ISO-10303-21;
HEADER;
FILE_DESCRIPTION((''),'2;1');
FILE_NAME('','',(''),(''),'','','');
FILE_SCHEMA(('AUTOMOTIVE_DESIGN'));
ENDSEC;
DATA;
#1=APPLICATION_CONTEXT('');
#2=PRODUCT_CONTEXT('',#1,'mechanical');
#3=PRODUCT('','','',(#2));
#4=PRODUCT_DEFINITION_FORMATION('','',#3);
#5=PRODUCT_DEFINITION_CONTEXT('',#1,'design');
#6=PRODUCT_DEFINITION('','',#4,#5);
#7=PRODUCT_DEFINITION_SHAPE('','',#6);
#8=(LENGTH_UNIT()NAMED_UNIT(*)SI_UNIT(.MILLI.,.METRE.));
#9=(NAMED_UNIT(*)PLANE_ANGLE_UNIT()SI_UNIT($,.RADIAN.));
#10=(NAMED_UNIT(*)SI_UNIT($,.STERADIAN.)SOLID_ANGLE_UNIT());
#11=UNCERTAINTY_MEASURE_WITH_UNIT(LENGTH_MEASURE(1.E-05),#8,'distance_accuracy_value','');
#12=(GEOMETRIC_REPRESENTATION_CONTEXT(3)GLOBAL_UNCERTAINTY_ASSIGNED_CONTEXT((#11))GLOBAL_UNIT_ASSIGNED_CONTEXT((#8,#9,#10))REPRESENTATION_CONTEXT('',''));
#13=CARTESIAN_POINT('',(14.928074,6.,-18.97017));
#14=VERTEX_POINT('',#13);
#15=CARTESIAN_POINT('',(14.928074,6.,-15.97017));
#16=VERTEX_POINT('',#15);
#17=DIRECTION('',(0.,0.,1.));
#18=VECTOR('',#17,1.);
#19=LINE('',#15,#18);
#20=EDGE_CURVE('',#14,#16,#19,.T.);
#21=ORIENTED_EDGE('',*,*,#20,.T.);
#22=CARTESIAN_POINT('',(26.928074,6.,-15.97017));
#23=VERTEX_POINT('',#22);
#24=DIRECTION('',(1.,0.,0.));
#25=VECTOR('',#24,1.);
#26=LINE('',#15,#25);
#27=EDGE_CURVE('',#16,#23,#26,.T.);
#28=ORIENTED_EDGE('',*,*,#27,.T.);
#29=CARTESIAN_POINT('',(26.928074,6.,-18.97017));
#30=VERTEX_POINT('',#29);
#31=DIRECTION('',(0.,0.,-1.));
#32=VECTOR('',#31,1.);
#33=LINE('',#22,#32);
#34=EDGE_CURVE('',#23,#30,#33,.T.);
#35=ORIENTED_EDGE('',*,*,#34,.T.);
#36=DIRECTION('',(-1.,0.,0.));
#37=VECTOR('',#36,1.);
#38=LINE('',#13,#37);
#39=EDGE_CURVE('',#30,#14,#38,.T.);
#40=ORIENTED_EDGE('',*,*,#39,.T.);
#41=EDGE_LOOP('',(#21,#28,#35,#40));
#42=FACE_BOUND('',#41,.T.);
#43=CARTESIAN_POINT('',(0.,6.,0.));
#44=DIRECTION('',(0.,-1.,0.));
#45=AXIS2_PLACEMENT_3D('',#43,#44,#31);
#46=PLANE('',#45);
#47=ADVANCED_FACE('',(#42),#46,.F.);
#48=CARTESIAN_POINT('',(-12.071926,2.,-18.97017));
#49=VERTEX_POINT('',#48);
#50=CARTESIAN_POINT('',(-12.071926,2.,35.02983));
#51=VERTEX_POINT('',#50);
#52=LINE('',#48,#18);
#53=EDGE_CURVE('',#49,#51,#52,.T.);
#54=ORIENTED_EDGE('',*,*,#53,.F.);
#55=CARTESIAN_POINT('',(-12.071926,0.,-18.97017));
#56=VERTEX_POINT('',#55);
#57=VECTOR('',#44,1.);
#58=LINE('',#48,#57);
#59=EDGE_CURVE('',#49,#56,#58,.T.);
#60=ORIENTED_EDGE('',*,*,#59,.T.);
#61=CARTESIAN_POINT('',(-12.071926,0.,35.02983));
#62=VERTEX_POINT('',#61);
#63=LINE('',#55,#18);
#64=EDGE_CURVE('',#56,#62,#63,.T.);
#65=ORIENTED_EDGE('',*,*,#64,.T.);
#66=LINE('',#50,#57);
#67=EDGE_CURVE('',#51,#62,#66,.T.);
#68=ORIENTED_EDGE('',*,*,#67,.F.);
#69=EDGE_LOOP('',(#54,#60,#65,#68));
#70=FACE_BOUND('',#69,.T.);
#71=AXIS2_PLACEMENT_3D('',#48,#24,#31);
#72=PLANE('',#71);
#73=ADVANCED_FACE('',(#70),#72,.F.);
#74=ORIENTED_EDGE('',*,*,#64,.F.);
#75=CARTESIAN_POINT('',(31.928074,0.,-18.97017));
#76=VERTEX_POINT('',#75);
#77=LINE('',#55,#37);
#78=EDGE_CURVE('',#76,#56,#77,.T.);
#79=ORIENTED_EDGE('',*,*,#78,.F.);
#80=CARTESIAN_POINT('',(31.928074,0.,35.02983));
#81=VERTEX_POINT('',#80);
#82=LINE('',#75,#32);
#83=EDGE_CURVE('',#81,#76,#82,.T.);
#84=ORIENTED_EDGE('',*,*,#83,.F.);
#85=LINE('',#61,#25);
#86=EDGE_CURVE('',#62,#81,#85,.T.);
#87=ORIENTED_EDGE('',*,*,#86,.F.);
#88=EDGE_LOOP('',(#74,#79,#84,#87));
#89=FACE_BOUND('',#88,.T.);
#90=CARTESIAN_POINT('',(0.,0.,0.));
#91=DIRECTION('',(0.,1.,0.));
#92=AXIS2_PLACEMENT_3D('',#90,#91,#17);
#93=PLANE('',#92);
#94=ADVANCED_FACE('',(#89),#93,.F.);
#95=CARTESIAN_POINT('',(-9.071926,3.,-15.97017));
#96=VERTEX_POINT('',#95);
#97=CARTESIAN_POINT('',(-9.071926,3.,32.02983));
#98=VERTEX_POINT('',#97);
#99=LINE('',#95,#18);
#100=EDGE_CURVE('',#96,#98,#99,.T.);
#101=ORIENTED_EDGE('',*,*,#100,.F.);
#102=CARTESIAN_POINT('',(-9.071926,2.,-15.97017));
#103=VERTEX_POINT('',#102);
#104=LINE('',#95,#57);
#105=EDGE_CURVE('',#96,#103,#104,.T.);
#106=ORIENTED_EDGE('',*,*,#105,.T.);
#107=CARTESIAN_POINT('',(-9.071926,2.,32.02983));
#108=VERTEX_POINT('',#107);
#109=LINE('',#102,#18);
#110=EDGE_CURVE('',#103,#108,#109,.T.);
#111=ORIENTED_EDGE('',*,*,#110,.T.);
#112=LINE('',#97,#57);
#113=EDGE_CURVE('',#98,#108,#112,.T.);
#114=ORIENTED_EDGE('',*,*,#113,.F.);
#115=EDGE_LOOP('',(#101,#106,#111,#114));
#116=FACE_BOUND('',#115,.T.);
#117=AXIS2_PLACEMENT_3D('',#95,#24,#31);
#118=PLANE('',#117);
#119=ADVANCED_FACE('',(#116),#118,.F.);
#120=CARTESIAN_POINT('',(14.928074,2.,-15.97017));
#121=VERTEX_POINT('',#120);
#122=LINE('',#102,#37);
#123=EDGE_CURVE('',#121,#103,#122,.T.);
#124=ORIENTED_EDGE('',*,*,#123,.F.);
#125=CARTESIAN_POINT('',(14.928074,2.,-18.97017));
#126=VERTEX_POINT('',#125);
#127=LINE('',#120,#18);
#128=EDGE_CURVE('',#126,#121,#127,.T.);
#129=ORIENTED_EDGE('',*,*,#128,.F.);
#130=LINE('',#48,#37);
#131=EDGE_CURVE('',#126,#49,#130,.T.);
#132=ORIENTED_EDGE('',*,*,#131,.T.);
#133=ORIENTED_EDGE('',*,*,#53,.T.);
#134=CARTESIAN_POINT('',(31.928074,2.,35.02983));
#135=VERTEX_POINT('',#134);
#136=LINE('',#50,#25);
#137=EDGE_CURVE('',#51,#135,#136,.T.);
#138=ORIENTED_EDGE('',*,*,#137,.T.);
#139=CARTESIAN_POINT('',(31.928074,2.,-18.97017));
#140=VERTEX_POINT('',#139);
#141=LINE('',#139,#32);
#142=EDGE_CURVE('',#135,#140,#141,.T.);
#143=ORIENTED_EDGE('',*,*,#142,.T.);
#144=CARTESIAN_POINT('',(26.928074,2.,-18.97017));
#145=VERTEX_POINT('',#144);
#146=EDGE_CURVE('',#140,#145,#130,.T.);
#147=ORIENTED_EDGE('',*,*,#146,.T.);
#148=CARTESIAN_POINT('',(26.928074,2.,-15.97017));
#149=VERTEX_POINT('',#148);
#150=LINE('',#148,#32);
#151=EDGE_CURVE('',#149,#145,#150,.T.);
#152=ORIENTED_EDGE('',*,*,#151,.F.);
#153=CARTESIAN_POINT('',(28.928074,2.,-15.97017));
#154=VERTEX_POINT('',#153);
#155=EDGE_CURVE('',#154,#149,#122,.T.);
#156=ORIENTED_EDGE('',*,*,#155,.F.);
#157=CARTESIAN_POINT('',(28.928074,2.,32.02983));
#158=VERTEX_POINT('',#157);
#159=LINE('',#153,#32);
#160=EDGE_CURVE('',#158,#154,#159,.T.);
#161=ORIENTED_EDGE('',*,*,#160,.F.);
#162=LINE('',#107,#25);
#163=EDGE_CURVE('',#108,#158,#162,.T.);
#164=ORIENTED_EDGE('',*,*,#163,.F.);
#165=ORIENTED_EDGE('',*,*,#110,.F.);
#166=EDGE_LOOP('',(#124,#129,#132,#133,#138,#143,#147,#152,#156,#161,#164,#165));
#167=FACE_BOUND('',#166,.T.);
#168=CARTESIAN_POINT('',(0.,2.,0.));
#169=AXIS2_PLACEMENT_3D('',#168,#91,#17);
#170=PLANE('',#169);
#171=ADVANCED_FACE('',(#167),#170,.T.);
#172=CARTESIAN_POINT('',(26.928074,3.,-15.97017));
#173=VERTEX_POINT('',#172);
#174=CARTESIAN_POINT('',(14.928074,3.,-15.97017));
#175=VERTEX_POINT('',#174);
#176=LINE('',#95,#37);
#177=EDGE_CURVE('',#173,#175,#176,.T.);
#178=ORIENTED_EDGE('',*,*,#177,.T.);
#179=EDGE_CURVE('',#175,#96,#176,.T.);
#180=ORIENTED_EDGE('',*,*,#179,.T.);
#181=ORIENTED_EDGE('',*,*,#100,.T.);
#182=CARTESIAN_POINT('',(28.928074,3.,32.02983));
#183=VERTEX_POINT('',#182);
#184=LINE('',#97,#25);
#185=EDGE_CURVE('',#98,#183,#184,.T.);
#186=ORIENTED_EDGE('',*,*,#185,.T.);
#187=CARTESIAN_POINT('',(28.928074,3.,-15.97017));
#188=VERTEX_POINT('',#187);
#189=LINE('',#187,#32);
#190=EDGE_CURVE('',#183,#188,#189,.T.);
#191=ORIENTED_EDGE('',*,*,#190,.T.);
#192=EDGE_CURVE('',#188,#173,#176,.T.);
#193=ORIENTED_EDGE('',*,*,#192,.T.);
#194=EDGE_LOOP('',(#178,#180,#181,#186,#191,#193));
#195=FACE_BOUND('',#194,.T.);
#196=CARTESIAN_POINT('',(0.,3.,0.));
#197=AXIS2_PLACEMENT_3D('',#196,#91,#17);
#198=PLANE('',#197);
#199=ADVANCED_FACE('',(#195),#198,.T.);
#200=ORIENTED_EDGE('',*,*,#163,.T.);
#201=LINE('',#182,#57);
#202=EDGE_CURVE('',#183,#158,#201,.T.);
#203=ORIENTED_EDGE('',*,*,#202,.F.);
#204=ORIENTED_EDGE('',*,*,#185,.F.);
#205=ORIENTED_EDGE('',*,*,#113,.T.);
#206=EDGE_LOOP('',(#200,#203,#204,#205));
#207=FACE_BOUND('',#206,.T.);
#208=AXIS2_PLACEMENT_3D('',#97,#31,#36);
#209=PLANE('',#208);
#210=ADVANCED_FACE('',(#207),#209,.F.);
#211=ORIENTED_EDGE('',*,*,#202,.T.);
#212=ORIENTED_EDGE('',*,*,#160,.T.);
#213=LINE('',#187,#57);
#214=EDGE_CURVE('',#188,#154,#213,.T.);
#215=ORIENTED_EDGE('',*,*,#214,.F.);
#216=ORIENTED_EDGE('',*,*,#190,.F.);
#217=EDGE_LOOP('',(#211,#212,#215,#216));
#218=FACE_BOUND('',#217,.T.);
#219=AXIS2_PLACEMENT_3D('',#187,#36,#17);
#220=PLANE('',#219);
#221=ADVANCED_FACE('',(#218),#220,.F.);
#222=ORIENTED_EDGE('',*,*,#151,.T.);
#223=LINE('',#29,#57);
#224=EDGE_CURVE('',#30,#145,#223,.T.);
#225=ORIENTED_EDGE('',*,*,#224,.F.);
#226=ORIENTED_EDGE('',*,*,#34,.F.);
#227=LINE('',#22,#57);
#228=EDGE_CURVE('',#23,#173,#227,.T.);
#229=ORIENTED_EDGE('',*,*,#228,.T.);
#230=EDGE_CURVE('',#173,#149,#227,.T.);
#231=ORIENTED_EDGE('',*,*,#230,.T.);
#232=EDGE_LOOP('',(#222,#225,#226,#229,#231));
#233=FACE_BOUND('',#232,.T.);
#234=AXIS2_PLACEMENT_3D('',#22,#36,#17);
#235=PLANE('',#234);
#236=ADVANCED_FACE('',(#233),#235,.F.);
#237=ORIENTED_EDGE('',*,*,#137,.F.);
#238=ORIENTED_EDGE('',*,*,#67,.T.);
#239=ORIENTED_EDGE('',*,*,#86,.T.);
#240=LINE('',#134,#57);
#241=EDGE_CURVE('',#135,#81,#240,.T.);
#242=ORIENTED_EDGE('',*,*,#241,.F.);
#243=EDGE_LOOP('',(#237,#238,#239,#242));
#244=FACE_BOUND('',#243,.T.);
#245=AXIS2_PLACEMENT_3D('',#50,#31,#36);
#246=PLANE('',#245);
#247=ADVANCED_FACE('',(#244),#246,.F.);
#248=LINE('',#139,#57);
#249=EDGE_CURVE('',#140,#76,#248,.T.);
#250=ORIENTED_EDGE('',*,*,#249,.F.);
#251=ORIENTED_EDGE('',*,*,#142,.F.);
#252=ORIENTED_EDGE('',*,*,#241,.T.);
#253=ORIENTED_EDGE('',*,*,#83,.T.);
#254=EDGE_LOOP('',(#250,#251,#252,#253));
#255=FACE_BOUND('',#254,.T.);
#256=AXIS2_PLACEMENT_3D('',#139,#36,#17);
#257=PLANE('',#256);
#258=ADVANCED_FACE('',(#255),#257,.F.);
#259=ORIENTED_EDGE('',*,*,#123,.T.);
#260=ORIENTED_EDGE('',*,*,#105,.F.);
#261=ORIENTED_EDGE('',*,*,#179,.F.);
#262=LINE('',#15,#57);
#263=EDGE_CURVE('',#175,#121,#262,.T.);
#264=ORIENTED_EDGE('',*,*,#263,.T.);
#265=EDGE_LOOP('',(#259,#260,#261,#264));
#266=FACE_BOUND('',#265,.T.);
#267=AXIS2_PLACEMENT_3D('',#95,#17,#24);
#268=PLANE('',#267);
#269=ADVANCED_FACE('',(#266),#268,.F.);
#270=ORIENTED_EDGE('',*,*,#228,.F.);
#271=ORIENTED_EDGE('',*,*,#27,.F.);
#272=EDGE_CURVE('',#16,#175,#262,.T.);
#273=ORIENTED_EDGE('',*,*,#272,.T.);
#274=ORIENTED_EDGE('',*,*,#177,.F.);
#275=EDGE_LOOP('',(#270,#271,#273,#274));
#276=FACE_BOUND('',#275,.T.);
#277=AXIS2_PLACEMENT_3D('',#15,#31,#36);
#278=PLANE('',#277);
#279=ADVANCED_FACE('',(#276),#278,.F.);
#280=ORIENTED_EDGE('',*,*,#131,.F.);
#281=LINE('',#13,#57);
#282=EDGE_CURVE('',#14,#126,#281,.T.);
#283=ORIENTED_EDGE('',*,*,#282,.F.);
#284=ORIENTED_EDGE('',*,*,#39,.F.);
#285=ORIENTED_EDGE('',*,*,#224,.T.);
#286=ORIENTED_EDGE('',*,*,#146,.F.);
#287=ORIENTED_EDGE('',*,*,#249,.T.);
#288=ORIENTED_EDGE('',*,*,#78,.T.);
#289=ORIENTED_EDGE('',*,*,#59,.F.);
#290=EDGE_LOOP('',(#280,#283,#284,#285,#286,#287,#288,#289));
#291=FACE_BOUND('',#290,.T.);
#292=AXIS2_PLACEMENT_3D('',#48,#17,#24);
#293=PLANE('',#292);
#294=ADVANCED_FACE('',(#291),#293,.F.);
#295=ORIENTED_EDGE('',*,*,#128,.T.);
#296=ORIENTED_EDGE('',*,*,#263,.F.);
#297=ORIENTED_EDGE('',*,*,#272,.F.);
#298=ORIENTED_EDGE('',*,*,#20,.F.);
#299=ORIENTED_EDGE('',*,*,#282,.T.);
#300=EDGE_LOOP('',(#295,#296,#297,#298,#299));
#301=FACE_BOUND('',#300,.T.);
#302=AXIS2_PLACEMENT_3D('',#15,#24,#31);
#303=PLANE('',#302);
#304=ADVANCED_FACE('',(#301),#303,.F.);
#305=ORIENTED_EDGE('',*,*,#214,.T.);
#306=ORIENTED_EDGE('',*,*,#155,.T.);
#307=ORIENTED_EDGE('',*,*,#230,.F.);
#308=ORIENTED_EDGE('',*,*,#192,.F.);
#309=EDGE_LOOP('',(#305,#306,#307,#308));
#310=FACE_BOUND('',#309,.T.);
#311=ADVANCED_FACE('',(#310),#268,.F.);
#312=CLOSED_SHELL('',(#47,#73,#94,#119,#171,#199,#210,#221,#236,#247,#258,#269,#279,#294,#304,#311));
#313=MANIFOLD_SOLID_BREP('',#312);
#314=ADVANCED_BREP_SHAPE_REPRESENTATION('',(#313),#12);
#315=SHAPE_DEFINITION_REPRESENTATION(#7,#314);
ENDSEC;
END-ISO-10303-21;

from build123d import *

# Parameters (mm, degrees)
SCHIZZO1_W                   = 44
SCHIZZO1_H                   = 54
ESTRUSIONE_ESTRUSIONE1_DEPTH = 2
SCHIZZO2_W                   = 38
SCHIZZO2_H                   = 48
ESTRUSIONE_ESTRUSIONE2_DEPTH = 1
SCHIZZO3_W                   = 12
SCHIZZO3_H                   = 3
ESTRUSIONE_ESTRUSIONE3_DEPTH = 4


with BuildPart() as part:
    # Schizzo1 → Estrusione-Estrusione1 (new body)
    with BuildSketch(Plane(origin=(0, 0, 0), x_dir=(1, 0, 0), z_dir=(0, 1, 0))):
        with Locations((9.928073705, -8.029830108)):
            Rectangle(SCHIZZO1_W, SCHIZZO1_H)
    extrude(amount=ESTRUSIONE_ESTRUSIONE1_DEPTH)

    # Schizzo2 → Estrusione-Estrusione2 (add)
    with BuildSketch(Plane(origin=(0, 2, 0), x_dir=(1, 0, 0), z_dir=(0, 1, 0))):
        with Locations((9.928073705, -8.029830108)):
            Rectangle(SCHIZZO2_W, SCHIZZO2_H)
    extrude(amount=ESTRUSIONE_ESTRUSIONE2_DEPTH)

    # Schizzo3 → Estrusione-Estrusione3 (add)
    with BuildSketch(Plane(origin=(0, 2, 0), x_dir=(1, 0, 0), z_dir=(0, 1, 0))):
        with Locations((20.928073705, 17.470169892)):
            Rectangle(SCHIZZO3_W, SCHIZZO3_H)
    extrude(amount=ESTRUSIONE_ESTRUSIONE3_DEPTH)


solid = part.part
